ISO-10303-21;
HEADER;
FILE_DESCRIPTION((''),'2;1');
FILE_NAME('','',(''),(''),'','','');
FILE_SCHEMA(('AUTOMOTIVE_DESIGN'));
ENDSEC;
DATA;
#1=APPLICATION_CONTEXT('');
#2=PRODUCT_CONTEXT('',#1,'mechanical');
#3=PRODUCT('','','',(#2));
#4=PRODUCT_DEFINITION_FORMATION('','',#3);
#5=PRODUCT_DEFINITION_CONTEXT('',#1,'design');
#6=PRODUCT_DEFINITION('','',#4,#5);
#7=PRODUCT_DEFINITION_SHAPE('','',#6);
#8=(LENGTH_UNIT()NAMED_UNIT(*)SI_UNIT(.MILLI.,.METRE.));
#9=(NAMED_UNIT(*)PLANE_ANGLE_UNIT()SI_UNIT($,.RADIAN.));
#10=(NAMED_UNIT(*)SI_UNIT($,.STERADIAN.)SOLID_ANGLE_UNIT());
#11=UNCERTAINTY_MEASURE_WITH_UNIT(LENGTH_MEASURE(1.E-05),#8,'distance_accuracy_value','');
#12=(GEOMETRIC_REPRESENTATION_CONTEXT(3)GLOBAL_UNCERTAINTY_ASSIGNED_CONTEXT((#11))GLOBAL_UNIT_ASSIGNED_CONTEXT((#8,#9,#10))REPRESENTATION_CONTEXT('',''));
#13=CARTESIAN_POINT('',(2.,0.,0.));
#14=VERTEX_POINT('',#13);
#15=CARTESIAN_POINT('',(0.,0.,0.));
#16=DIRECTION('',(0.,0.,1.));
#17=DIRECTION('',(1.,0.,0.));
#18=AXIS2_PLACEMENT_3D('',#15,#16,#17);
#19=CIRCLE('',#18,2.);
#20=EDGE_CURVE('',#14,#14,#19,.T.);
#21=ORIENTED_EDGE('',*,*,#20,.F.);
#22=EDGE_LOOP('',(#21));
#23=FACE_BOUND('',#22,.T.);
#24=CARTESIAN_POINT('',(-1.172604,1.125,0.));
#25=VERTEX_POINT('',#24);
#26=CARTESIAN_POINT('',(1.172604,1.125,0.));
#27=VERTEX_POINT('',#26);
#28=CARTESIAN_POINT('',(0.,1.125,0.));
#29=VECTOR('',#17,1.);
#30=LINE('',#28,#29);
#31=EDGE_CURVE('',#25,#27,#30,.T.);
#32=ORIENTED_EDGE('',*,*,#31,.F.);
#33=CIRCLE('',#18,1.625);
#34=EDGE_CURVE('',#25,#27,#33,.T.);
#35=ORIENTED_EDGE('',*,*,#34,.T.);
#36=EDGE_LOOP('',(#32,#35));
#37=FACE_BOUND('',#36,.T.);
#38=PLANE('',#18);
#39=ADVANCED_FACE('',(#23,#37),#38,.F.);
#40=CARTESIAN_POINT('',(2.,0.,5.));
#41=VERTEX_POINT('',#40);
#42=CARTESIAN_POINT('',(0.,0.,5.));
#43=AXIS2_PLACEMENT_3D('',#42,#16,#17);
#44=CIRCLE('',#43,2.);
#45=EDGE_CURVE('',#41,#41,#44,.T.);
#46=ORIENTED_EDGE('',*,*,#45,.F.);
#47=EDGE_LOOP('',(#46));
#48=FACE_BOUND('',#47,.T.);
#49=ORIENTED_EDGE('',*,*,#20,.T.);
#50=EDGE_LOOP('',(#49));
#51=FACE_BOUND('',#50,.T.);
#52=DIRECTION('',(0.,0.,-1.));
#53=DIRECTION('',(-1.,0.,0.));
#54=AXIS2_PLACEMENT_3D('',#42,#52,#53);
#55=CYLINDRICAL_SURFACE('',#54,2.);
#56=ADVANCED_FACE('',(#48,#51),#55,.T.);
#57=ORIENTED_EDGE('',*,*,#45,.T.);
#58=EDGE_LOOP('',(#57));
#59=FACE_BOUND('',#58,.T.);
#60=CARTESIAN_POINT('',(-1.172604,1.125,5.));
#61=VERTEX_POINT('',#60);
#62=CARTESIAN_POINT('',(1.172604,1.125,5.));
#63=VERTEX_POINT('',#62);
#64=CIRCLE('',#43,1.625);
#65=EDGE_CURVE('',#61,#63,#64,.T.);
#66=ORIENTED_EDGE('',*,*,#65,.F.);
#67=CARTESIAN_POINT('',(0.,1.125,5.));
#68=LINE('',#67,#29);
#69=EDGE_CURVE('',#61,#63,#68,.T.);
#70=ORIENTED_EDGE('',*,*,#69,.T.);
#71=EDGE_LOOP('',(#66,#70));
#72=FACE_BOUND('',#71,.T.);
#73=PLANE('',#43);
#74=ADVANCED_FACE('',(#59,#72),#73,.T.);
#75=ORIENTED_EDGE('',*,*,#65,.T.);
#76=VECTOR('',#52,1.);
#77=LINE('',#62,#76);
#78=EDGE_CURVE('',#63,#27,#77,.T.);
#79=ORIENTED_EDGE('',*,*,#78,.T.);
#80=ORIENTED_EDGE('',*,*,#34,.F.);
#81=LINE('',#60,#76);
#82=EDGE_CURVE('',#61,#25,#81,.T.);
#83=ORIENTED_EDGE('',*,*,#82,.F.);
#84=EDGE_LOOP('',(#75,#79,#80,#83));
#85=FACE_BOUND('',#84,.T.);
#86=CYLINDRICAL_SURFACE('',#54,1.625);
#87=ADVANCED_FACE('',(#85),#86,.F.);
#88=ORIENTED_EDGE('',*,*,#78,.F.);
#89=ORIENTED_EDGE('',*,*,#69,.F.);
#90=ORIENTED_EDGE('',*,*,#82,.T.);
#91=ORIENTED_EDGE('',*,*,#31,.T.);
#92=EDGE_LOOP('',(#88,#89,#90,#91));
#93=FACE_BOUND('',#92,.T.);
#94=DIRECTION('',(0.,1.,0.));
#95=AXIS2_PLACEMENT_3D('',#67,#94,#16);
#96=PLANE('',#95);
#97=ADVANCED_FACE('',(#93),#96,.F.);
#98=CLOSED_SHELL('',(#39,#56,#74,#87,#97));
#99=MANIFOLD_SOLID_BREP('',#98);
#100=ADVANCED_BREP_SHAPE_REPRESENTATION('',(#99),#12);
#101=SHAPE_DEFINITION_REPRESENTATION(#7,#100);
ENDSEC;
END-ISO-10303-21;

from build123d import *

# Parameters (mm, degrees)
SKETCH1_R           = 2
BOSS_EXTRUDE1_DEPTH = 5


with BuildPart() as part:
    # Sketch1 → Boss-Extrude1 (new body)
    with BuildSketch(Plane.XY):
        Circle(SKETCH1_R)
        with BuildLine():
            Line((-1.17260394, 1.125), (1.17260394, 1.125))
            ThreePointArc((1.17260394, 1.125), (0, -1.625), (-1.17260394, 1.125))
        make_face(mode=Mode.SUBTRACT)
    extrude(amount=BOSS_EXTRUDE1_DEPTH)


solid = part.part
